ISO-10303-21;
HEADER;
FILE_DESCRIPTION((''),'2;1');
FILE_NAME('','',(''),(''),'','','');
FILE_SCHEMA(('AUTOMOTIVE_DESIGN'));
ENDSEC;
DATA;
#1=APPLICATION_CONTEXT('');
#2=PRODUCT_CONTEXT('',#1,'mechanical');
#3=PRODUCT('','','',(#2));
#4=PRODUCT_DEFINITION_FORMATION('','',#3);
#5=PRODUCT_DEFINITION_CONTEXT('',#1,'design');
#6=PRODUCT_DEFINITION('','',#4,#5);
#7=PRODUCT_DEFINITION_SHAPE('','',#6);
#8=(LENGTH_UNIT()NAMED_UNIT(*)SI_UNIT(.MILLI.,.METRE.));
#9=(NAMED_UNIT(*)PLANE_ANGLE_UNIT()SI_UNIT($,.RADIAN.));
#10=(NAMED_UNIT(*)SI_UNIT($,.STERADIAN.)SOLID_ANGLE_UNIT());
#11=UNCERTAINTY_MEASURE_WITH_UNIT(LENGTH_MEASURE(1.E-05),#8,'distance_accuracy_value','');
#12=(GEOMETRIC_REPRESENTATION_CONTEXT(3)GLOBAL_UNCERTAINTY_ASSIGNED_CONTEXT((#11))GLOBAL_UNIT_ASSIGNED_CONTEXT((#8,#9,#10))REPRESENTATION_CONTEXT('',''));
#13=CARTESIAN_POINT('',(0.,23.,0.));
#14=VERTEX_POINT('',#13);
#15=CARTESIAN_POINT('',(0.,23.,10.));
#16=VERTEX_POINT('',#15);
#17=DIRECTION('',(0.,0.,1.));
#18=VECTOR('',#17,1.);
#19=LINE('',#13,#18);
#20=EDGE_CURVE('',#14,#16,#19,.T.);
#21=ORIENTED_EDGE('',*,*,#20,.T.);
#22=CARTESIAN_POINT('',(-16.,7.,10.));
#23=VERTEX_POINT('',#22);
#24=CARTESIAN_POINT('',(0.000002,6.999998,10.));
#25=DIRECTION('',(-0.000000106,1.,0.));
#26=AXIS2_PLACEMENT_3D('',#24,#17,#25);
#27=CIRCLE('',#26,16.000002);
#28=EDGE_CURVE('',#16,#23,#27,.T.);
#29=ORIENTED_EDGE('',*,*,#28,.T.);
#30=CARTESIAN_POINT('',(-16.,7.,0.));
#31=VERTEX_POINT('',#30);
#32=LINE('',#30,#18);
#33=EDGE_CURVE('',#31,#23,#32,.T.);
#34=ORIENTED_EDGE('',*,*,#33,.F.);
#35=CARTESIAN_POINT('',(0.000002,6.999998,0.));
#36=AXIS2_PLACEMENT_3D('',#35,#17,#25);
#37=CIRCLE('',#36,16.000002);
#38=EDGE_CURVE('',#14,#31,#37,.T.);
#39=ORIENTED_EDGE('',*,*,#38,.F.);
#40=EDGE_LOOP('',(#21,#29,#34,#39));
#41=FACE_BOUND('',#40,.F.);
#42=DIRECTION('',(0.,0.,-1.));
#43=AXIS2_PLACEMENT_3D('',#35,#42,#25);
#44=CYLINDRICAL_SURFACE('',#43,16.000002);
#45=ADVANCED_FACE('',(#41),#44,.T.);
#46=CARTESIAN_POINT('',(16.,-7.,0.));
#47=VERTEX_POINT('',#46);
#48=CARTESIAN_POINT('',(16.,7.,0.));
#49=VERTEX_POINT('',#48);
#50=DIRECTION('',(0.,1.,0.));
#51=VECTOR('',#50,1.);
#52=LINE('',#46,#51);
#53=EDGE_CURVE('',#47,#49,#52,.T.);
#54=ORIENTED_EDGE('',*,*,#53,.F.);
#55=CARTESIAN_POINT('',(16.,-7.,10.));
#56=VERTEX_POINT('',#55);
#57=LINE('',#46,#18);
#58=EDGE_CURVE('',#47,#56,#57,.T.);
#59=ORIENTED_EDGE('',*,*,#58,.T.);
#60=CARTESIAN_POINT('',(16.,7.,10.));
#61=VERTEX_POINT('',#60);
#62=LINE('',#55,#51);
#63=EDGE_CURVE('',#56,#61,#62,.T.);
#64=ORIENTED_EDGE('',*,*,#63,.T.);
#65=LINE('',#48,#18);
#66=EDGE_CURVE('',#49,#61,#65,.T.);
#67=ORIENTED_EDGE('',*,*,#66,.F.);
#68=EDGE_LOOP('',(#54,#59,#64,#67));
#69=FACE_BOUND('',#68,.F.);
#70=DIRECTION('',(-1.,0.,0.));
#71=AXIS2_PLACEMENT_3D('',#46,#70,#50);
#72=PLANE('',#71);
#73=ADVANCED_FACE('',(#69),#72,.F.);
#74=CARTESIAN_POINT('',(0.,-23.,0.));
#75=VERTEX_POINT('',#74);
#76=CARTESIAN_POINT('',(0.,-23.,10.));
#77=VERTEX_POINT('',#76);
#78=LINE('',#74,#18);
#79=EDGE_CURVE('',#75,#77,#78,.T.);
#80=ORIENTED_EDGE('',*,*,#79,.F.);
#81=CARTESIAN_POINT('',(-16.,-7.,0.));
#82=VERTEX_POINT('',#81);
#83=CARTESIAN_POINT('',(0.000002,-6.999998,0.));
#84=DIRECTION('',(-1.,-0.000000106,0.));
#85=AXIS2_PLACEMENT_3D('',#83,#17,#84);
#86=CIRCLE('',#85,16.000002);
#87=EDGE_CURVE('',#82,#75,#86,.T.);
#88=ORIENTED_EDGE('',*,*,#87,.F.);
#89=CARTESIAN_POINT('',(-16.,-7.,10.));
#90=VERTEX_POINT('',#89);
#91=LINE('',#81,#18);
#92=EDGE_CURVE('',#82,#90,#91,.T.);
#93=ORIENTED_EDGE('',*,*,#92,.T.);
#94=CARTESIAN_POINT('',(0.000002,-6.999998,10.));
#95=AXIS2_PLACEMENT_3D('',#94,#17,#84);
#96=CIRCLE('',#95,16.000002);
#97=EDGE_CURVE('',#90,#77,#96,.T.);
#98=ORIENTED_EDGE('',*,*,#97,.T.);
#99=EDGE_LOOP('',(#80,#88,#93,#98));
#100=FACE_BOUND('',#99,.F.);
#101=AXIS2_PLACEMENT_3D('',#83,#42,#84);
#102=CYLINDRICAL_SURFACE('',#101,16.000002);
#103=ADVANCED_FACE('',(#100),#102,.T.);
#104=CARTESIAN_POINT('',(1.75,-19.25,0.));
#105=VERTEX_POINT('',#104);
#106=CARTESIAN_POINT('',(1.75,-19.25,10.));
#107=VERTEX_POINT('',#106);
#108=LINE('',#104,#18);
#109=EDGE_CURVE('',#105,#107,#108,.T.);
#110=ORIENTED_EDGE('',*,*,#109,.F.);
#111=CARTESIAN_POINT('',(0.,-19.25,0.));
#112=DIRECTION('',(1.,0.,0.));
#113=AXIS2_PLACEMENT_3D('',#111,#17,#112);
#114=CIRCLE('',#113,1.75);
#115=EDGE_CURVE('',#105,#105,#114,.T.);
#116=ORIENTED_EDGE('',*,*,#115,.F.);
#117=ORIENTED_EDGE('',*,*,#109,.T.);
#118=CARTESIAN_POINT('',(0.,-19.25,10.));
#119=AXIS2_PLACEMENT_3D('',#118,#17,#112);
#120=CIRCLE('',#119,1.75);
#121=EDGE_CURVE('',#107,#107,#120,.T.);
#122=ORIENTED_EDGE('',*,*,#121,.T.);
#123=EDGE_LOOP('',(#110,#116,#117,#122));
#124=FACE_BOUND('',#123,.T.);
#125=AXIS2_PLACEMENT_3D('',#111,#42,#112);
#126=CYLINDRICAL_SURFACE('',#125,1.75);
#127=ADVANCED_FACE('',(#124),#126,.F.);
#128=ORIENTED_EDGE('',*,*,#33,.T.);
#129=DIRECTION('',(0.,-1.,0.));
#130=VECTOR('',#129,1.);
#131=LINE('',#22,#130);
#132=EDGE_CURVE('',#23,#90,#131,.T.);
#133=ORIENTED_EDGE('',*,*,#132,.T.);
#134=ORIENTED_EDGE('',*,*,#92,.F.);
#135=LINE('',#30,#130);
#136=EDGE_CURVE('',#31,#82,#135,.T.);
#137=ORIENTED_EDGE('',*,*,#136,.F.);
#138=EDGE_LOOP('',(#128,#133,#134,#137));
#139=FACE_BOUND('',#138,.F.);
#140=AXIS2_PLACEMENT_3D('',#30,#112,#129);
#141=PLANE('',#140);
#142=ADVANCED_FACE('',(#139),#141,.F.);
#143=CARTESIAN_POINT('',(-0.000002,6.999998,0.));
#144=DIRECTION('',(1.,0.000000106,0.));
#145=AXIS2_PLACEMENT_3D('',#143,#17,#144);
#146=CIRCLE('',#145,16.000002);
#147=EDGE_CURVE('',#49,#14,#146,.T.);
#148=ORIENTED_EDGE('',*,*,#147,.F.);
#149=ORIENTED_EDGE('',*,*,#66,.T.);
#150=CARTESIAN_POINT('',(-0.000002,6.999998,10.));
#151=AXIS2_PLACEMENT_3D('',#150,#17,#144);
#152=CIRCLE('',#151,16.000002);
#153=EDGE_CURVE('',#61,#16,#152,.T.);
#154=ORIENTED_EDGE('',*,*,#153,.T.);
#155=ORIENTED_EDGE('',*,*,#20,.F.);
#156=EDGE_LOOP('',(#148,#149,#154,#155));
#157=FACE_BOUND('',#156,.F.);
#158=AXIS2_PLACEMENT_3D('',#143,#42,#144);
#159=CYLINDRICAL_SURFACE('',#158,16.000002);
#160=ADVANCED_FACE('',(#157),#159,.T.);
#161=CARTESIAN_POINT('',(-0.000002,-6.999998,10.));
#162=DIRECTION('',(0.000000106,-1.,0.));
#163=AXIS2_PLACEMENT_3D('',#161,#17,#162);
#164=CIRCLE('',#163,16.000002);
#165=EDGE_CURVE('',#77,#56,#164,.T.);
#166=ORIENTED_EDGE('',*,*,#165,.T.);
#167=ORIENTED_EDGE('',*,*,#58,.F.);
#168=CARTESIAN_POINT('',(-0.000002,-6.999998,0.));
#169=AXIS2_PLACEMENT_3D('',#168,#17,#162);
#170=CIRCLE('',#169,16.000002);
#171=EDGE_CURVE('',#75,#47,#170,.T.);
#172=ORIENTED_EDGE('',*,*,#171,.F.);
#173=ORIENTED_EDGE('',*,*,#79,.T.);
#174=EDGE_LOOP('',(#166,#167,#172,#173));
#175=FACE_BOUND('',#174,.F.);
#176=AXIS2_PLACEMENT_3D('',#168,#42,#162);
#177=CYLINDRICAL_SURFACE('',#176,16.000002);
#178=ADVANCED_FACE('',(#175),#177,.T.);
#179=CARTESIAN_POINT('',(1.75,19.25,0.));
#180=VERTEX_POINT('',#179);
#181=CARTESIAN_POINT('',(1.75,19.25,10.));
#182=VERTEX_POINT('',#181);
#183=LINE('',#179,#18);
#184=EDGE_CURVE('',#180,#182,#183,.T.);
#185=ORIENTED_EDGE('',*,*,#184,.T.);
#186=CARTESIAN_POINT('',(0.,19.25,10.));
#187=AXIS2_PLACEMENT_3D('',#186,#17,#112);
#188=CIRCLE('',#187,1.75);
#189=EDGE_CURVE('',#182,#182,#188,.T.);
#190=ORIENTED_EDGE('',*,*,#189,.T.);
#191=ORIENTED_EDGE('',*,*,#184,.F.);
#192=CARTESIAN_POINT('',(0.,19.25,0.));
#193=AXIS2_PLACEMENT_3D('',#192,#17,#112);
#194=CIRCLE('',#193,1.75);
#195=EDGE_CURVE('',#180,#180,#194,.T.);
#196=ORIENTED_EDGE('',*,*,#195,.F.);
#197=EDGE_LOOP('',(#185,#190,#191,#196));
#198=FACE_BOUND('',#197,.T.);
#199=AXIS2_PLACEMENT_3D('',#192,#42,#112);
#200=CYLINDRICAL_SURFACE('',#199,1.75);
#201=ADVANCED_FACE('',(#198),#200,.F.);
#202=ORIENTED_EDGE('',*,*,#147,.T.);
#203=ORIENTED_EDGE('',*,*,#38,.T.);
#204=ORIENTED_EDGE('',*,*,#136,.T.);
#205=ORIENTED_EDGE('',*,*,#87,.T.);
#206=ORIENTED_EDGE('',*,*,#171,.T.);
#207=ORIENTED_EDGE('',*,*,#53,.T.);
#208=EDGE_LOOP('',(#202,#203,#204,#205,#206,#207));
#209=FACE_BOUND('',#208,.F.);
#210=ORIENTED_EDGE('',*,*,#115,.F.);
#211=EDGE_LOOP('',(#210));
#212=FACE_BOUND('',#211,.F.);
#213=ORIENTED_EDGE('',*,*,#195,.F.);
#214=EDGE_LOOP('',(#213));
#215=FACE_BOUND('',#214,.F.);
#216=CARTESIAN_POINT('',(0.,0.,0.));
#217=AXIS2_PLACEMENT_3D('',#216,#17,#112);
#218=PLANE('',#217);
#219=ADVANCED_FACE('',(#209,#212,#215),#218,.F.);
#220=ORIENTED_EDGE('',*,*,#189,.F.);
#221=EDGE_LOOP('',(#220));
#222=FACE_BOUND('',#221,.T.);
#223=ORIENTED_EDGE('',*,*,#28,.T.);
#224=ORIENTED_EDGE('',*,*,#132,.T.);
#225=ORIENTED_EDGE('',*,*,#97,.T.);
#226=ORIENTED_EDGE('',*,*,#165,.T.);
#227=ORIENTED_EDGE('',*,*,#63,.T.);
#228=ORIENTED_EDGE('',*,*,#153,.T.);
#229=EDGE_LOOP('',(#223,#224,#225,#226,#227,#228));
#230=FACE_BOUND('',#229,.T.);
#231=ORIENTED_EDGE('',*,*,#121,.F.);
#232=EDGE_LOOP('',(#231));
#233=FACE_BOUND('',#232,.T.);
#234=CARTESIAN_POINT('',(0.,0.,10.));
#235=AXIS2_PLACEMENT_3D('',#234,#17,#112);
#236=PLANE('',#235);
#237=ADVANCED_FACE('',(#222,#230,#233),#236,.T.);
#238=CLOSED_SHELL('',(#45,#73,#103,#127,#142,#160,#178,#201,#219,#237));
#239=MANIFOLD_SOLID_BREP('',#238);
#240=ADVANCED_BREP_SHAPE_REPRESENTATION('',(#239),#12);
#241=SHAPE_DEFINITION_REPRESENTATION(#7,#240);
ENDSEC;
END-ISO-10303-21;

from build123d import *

# Parameters (mm, degrees)
F0_R     = 1.75
F1_DEPTH = 10


with BuildPart() as f1:
    # F0 (on Top) → F1 (new body)
    with BuildSketch(Plane.XY):
        with BuildLine():
            Line((16, -7), (16, 7))
            ThreePointArc((16, 7), (11.313708, 18.313708), (0, 23))
            ThreePointArc((0, 23), (-11.313708, 18.313708), (-16, 7))
            Line((-16, 7), (-16, -7))
            ThreePointArc((-16, -7), (-11.313708, -18.313708), (0, -23))
            ThreePointArc((0, -23), (11.313708, -18.313708), (16, -7))
        make_face()
        with Locations((0, -19.25)):
            Circle(F0_R, mode=Mode.SUBTRACT)
        with Locations((0, 19.25)):
            Circle(F0_R, mode=Mode.SUBTRACT)
    extrude(amount=F1_DEPTH)


solid = f1.part
